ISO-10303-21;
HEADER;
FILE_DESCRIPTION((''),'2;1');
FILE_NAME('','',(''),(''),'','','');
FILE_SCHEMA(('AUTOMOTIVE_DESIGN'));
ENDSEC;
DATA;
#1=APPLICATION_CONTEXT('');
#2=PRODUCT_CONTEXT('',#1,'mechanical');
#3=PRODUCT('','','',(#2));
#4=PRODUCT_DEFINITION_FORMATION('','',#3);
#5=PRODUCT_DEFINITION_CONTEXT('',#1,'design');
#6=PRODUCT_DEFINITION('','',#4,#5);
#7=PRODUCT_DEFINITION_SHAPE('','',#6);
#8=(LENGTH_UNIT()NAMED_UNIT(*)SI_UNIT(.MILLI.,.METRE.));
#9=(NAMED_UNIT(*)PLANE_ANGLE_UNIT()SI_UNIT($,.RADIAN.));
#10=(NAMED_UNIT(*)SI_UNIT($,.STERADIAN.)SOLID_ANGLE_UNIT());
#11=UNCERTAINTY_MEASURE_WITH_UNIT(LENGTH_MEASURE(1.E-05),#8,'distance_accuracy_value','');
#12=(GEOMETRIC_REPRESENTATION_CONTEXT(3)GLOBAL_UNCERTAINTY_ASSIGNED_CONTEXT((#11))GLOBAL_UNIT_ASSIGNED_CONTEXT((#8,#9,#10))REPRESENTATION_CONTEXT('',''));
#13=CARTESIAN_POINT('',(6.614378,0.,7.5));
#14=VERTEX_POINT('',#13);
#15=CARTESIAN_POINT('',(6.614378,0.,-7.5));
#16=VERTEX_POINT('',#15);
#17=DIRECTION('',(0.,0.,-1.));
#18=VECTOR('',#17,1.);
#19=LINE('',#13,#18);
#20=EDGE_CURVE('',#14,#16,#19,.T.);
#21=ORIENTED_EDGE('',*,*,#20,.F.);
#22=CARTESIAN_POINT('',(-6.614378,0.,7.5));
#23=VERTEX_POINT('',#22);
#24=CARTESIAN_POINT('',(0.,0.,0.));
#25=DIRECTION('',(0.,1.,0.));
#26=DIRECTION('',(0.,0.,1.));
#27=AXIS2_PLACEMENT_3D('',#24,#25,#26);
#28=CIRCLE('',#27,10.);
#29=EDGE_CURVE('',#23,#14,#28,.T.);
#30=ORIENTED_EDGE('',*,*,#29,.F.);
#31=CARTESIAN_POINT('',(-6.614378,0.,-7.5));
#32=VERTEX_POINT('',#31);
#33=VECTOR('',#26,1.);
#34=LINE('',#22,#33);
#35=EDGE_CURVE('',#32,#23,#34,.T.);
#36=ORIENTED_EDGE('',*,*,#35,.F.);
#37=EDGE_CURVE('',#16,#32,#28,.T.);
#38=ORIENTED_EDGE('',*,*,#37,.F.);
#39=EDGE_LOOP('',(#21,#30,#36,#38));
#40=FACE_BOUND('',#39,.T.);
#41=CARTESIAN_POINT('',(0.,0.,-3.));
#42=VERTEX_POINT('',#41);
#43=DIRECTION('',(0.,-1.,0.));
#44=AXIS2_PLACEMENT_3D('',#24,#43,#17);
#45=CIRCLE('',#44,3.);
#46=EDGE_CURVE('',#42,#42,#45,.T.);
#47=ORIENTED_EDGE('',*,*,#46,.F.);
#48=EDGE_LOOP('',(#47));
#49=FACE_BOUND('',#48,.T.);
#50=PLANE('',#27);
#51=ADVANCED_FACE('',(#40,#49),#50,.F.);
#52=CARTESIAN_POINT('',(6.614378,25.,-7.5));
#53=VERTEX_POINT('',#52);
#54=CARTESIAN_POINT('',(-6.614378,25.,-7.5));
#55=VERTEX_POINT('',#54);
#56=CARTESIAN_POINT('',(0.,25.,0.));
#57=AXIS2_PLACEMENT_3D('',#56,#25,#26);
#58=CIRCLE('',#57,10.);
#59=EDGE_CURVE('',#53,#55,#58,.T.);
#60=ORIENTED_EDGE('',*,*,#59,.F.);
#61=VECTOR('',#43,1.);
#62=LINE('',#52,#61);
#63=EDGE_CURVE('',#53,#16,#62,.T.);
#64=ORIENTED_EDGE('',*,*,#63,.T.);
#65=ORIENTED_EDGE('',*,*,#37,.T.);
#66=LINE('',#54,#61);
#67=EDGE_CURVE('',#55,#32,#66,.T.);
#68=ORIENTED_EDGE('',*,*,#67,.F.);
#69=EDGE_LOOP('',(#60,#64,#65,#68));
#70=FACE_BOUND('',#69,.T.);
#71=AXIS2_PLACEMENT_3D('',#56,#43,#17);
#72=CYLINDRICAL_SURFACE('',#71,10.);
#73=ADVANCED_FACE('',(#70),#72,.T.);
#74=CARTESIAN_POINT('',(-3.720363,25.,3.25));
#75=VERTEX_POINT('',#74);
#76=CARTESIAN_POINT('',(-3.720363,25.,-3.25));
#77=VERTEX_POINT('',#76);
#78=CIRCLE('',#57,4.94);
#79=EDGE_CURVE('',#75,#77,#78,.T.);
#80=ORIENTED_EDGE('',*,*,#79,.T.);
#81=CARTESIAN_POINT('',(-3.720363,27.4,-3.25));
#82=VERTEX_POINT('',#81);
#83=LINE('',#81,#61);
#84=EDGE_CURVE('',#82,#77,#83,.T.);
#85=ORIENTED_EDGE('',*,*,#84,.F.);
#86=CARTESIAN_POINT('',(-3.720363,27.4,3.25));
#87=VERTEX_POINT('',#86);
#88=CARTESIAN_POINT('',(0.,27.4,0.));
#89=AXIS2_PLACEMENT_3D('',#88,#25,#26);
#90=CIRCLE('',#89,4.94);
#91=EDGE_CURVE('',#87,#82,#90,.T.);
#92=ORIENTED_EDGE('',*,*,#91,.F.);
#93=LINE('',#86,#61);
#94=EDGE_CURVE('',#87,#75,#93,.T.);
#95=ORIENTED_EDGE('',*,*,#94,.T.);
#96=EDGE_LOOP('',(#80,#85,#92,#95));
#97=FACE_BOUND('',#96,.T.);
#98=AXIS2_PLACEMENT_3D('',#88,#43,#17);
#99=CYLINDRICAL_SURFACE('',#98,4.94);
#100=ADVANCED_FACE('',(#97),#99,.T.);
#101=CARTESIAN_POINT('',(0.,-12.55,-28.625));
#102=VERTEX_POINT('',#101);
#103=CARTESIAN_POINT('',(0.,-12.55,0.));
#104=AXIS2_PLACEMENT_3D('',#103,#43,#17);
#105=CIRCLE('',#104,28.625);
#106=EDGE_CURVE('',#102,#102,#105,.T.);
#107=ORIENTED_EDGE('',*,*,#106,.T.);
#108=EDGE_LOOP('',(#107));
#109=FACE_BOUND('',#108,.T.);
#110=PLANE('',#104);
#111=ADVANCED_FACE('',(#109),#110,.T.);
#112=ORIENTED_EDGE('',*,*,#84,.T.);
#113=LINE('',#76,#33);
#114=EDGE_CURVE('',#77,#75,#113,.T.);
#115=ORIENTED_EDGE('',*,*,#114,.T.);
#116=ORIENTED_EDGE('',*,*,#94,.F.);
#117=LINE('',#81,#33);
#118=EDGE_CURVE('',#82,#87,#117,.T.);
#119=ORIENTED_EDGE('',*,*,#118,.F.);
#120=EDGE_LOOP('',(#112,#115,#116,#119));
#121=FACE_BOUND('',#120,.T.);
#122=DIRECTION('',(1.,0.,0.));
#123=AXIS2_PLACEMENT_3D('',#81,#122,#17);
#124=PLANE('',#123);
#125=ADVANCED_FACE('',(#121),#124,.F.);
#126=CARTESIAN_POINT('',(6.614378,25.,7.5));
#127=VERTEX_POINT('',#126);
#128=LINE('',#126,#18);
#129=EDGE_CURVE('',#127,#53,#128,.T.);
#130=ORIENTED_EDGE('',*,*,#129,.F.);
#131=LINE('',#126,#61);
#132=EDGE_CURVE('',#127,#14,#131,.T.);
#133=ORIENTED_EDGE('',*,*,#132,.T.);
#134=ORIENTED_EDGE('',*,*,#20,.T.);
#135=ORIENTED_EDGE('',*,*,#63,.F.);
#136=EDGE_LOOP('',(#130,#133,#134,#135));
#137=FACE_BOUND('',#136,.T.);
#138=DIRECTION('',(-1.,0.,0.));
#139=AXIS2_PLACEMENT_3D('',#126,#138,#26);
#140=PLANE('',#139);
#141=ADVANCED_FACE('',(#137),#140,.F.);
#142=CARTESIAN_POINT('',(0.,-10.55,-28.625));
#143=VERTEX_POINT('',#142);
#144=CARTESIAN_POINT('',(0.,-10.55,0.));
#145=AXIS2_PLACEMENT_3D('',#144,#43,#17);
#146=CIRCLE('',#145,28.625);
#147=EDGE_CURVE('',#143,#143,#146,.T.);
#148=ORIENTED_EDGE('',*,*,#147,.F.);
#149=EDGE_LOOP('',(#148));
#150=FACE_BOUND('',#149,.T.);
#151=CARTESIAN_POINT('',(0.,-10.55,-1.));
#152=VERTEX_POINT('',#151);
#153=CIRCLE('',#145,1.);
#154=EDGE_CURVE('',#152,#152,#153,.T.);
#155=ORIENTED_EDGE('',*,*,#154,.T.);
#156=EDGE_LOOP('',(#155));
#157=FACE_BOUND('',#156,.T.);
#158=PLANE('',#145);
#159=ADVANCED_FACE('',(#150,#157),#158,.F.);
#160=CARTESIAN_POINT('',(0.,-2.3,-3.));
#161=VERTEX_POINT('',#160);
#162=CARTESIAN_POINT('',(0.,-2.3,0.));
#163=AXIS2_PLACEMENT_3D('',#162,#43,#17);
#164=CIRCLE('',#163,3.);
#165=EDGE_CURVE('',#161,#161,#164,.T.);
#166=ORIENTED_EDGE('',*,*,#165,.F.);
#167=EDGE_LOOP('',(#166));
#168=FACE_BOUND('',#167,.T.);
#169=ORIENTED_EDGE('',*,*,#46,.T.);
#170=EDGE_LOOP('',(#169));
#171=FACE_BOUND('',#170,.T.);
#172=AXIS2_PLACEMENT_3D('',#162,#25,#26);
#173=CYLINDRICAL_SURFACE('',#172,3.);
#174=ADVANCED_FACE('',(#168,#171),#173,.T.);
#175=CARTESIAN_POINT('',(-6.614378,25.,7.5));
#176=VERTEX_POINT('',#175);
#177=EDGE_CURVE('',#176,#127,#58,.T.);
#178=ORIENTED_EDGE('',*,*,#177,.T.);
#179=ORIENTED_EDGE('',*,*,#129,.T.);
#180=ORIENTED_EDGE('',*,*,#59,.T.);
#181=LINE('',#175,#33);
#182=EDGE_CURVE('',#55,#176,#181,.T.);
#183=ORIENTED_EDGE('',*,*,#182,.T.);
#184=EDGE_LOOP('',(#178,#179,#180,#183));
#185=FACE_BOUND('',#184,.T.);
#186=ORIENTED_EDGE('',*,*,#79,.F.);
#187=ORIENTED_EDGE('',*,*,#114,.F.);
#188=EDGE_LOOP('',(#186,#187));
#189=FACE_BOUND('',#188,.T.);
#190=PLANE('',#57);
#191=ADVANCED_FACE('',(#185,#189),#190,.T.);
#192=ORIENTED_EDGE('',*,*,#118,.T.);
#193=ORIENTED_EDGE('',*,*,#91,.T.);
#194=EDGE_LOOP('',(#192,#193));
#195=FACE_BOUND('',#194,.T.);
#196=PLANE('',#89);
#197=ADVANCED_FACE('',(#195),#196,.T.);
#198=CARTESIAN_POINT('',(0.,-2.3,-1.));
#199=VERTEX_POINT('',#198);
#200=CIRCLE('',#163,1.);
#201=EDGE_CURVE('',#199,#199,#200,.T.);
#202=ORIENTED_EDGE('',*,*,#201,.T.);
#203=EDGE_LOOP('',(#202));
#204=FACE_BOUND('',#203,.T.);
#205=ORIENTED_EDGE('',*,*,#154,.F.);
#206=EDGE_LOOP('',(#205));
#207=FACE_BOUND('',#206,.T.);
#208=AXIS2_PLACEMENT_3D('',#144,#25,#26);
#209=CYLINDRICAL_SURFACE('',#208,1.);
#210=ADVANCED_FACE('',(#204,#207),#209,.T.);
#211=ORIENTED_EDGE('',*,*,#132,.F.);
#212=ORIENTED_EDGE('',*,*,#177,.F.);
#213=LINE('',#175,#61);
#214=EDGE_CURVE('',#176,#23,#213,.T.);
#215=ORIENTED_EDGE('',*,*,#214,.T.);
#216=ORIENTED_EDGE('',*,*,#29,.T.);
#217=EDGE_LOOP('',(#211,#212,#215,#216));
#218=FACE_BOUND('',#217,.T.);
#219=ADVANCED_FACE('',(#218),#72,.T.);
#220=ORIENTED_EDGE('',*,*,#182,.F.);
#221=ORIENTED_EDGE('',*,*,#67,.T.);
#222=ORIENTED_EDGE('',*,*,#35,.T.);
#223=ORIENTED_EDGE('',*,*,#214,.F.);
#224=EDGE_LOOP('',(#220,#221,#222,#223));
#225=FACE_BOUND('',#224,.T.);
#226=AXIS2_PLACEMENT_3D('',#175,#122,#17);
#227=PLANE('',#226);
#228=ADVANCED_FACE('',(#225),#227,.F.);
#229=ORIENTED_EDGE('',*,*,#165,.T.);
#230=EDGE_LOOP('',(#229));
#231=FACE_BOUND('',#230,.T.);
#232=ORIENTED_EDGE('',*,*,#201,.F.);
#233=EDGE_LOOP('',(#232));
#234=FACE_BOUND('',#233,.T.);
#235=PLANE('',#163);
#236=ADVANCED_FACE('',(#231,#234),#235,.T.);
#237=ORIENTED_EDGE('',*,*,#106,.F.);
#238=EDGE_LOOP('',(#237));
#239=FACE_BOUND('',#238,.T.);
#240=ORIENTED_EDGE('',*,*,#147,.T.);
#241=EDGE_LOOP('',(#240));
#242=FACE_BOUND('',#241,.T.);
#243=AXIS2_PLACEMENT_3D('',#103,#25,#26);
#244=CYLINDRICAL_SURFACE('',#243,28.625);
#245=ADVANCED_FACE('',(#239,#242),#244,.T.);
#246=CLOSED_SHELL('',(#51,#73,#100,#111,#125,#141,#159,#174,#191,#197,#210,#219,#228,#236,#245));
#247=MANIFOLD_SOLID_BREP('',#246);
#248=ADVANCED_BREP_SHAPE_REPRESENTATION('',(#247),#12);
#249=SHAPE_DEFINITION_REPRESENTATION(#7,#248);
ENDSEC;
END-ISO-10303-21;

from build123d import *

# Parameters (mm, degrees)
BOSS_EXTRUDE1_DEPTH = 25
BOSS_EXTRUDE2_DEPTH = 2.4
SKETCH3_R           = 3
SKETCH3_R_2         = 1
BOSS_EXTRUDE3_DEPTH = 2.3
BOSS_EXTRUDE4_START = 2.3
SKETCH3_3_R         = 1
BOSS_EXTRUDE4_DEPTH = 8.25
SKETCH4_R           = 28.625
BOSS_EXTRUDE5_DEPTH = 2


with BuildPart() as part:
    # Sketch1 → Boss-Extrude1 (new body)
    with BuildSketch(Plane(origin=(0, 0, 0), x_dir=(1, 0, 0), z_dir=(0, 1, 0))):
        with BuildLine():
            Line((-6.614378278, -7.5), (-6.614378278, 7.5))
            ThreePointArc((-6.614378278, 7.5), (0, 10), (6.614378278, 7.5))
            Line((6.614378278, 7.5), (6.614378278, -7.5))
            ThreePointArc((6.614378278, -7.5), (0, -10), (-6.614378278, -7.5))
        make_face()
    extrude(amount=BOSS_EXTRUDE1_DEPTH)

    # Sketch2 → Boss-Extrude2 (add)
    with BuildSketch(Plane(origin=(0, 25, 0), x_dir=(1, 0, 0), z_dir=(0, 1, 0))):
        with BuildLine():
            Line((-3.720362886, 3.25), (-3.720362886, -3.25))
            ThreePointArc((-3.720362886, -3.25), (4.94, 0), (-3.720362886, 3.25))
        make_face()
    extrude(amount=BOSS_EXTRUDE2_DEPTH)

    # Sketch3 → Boss-Extrude3 (add)
    # profile 1 of 2: a face of its own
    with BuildSketch(Plane.XZ):
        with Locations(Location((0, 0, 0), (0, 0, 270))):
            Circle(SKETCH3_R)
        Circle(SKETCH3_R_2, mode=Mode.SUBTRACT)
    # profile 2 of 2: a face of its own
    with BuildSketch(Plane.XZ):
        Circle(SKETCH3_R_2)
    extrude(amount=BOSS_EXTRUDE3_DEPTH)

    # Sketch3<3> → Boss-Extrude4 (add)
    with BuildSketch(Plane.XZ.offset(BOSS_EXTRUDE4_START)):
        with Locations(Location((0, 0, 0), (0, 0, 270))):
            Circle(SKETCH3_3_R)
    extrude(amount=BOSS_EXTRUDE4_DEPTH)

    # Sketch4 → Boss-Extrude5 (add)
    with BuildSketch(Plane(origin=(0, -10.55, 0), x_dir=(-1, 0, 0), z_dir=(0, -1, 0))):
        with Locations(Location((0, 0, 0), (0, 0, 90))):
            Circle(SKETCH4_R)
    extrude(amount=BOSS_EXTRUDE5_DEPTH)


solid = part.part
